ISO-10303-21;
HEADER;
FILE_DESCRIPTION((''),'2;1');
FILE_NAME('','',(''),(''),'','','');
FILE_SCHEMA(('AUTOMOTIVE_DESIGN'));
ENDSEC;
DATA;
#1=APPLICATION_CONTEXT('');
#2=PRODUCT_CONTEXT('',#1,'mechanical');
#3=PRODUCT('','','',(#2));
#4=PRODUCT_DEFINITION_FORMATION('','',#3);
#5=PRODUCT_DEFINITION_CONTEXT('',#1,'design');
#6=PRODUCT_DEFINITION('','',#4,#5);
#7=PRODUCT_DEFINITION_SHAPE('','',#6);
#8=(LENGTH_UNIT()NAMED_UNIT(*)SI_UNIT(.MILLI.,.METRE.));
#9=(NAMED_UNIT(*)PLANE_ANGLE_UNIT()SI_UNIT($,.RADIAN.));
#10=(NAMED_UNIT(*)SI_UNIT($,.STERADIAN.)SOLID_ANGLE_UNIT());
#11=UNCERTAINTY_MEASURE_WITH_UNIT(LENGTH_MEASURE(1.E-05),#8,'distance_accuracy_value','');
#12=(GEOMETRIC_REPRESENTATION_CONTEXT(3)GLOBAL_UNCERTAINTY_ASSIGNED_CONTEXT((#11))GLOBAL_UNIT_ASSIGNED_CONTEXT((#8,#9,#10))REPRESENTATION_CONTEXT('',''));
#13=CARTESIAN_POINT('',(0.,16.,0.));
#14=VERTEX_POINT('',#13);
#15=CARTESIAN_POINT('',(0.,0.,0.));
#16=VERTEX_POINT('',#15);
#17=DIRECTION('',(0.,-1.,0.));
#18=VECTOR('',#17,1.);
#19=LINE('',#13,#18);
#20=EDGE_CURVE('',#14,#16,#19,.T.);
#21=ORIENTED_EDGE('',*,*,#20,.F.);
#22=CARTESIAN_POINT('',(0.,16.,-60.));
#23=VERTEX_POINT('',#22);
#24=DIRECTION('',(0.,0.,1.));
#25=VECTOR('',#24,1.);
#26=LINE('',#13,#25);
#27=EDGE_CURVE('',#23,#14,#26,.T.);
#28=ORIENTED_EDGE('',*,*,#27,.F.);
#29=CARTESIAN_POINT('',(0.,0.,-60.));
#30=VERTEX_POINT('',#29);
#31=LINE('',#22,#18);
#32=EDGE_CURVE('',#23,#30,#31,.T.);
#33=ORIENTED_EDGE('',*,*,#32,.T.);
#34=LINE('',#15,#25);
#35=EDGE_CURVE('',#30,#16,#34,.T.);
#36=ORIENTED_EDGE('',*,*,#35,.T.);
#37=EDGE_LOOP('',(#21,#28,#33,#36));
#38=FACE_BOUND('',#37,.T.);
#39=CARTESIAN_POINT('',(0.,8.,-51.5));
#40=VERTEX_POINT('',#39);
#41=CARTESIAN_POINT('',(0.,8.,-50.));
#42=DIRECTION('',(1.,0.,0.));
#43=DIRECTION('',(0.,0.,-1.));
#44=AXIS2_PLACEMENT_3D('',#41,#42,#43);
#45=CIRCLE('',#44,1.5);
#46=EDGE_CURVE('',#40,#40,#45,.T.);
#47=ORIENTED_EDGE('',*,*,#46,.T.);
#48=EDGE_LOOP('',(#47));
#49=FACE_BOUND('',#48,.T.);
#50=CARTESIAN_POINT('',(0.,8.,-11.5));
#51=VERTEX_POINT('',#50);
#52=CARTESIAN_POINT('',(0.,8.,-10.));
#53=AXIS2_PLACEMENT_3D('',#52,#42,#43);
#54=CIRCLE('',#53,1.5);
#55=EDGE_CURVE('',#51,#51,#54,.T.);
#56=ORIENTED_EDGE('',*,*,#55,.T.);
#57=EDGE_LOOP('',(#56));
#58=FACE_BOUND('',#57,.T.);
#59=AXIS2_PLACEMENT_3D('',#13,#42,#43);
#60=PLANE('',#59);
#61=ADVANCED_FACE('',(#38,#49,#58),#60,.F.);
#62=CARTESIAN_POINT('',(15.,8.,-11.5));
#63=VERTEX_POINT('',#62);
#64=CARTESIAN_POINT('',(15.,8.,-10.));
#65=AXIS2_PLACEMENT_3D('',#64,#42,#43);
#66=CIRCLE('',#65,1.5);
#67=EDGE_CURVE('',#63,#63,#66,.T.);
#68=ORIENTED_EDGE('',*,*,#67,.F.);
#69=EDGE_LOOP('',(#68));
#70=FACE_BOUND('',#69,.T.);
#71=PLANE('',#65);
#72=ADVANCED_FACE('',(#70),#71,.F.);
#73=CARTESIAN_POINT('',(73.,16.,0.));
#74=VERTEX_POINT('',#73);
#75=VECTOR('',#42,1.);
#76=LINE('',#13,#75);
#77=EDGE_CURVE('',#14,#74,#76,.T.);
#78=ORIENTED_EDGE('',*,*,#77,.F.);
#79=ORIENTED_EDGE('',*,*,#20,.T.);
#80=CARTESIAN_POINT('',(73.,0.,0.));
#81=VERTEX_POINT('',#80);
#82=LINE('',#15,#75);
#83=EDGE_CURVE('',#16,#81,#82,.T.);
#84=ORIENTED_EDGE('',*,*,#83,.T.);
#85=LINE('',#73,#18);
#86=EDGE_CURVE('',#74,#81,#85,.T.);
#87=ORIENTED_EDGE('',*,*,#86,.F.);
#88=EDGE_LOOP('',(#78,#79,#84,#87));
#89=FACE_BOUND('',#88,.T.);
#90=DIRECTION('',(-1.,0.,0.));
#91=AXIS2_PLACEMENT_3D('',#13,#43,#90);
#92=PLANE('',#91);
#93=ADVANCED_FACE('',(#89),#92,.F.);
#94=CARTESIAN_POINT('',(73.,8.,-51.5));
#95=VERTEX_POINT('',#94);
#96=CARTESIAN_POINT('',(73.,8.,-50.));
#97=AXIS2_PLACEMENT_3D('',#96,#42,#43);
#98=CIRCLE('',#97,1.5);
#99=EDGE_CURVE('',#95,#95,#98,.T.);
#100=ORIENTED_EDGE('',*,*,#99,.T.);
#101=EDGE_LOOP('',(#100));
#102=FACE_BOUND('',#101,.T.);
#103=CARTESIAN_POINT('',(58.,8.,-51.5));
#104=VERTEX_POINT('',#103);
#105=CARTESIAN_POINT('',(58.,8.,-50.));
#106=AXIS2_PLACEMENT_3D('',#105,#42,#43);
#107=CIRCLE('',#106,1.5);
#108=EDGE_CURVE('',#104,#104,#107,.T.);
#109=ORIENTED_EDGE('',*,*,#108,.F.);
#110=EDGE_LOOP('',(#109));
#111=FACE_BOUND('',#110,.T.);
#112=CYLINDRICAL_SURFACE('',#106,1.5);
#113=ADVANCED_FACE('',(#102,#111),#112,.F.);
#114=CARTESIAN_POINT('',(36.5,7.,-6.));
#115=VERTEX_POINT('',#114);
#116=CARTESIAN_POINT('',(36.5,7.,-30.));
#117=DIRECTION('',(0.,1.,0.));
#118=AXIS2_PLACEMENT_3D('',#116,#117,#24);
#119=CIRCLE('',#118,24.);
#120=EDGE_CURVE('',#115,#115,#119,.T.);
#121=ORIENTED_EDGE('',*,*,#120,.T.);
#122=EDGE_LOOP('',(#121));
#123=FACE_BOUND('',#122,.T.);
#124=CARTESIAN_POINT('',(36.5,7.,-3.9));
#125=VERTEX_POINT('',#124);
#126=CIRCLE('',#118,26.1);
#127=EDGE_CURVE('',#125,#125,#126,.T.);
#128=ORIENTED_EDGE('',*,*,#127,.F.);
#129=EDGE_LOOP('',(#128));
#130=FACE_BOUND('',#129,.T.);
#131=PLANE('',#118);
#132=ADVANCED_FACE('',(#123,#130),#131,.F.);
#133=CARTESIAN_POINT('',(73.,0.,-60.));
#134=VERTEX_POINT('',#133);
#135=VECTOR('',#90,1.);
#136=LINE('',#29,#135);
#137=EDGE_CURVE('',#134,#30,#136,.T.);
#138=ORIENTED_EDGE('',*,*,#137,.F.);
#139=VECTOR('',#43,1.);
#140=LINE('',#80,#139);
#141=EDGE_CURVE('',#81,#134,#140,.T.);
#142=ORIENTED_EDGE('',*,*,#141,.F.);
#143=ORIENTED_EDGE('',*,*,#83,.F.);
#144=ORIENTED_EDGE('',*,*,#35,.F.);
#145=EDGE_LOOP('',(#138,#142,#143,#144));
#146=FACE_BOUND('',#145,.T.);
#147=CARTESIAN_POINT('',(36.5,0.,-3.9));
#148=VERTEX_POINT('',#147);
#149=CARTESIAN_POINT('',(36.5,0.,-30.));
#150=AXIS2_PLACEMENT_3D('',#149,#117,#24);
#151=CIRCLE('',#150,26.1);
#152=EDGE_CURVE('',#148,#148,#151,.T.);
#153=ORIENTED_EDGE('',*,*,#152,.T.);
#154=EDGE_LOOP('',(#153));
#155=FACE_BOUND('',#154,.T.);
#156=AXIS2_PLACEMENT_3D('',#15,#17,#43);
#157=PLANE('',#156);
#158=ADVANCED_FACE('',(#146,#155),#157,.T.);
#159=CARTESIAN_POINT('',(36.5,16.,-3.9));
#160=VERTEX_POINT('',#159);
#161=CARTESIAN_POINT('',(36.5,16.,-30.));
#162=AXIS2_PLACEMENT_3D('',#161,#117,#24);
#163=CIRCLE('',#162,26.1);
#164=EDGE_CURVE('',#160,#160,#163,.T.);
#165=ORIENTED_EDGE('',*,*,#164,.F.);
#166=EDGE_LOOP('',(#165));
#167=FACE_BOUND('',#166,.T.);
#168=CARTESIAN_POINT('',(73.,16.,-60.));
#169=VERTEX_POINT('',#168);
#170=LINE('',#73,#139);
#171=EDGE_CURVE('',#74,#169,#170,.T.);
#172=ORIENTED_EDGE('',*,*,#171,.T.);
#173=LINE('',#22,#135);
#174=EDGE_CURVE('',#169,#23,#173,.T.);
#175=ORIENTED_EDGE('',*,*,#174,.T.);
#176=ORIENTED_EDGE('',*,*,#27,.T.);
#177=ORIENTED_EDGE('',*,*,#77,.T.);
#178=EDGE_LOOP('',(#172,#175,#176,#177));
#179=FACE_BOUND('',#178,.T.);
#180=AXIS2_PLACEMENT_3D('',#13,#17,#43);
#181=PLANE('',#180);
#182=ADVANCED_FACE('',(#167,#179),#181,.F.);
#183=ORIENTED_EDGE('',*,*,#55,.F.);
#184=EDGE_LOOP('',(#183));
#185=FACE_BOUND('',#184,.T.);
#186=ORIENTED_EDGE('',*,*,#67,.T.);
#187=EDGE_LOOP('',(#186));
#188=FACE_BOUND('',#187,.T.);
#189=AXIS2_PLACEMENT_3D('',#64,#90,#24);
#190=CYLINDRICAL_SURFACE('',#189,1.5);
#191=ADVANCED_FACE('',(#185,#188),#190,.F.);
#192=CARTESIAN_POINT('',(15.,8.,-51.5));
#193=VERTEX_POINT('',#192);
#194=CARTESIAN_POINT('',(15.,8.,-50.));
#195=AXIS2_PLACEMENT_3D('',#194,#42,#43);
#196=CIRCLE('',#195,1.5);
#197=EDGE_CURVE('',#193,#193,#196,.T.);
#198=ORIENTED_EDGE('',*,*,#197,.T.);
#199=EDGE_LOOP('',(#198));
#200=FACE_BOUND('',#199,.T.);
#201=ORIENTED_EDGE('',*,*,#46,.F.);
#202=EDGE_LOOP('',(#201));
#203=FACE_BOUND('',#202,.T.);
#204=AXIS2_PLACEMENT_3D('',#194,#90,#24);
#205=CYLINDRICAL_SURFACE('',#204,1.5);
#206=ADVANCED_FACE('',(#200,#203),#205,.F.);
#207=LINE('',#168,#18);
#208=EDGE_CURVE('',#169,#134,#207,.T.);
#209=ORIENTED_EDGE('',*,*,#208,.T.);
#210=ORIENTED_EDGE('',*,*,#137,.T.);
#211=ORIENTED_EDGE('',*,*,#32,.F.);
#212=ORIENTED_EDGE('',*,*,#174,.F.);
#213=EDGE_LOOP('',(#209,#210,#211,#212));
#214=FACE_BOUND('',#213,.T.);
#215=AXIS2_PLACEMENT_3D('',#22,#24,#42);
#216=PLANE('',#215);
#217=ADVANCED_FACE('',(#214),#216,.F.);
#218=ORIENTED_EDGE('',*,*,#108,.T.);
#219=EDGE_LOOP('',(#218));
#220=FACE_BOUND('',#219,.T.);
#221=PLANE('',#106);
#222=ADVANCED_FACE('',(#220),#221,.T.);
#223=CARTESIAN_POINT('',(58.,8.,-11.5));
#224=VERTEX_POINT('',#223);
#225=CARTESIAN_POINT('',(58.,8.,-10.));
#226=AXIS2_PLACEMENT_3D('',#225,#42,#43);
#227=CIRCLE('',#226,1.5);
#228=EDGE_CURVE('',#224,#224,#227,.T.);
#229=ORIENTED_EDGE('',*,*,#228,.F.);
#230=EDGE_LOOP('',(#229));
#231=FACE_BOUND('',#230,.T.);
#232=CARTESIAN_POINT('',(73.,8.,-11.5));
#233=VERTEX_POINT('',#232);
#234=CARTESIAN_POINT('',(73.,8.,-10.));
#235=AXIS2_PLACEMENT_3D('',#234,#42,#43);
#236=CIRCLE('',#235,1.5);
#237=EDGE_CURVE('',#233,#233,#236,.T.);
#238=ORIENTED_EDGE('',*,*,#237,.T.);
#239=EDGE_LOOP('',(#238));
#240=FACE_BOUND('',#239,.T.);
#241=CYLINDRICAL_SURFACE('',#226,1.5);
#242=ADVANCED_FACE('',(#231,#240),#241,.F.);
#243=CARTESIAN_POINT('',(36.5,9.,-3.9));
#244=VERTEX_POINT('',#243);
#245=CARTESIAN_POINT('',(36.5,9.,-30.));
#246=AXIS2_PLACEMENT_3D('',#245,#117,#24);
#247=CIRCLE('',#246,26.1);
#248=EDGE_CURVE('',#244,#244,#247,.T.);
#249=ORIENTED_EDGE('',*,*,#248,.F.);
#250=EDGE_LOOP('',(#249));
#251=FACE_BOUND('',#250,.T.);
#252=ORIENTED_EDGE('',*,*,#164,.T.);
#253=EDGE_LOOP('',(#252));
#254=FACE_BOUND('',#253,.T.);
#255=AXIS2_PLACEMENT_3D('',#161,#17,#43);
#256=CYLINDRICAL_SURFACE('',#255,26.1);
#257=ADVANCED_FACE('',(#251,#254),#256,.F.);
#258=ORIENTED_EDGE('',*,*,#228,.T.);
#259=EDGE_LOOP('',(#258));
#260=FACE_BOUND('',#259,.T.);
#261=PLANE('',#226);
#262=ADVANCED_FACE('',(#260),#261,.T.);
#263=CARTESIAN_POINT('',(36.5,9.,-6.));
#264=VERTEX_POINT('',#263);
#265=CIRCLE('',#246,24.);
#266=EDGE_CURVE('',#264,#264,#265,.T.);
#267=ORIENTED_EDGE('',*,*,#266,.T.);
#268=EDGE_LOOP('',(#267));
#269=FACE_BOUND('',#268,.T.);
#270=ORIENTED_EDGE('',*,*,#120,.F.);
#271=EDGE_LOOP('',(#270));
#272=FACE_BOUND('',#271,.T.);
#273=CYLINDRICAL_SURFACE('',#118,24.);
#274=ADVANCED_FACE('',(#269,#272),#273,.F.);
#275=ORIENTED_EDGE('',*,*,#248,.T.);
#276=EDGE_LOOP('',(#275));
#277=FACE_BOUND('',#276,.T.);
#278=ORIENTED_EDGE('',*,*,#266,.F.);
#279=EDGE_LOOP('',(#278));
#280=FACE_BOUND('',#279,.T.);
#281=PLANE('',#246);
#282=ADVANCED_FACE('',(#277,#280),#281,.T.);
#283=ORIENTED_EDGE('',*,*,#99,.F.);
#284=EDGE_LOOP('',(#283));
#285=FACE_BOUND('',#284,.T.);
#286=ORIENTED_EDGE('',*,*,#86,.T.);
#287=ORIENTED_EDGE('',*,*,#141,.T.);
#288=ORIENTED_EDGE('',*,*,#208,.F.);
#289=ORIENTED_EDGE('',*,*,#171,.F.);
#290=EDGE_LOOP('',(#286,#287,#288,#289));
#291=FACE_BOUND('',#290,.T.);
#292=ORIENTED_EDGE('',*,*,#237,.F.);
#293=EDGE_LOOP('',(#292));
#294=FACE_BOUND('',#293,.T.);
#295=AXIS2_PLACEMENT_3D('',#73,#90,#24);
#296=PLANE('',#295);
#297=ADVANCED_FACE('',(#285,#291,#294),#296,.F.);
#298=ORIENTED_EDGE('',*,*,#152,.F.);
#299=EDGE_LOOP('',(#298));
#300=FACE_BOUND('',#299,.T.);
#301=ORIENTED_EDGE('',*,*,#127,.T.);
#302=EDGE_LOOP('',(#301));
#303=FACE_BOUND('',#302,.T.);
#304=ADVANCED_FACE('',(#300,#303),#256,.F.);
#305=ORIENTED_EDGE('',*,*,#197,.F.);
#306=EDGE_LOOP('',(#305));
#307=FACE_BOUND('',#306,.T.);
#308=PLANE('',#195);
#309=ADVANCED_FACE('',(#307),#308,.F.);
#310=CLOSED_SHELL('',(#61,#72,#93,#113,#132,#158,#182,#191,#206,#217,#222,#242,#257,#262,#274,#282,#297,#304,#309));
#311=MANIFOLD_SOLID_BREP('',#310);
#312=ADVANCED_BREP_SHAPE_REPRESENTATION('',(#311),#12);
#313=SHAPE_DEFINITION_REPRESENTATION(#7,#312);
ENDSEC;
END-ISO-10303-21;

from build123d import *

# Parameters (mm, degrees)
SKETCH1_W           = 73
SKETCH1_H           = 60
SKETCH1_R           = 26.1
BOSS_EXTRUDE1_DEPTH = 16
BOSS_EXTRUDE2_START = -7
SKETCH3_R           = 26.1
SKETCH3_R_2         = 24
BOSS_EXTRUDE2_DEPTH = 2
SKETCH2_R           = 1.5
CUT_EXTRUDE1_DEPTH  = 15
CUT_EXTRUDE2_START  = -73
SKETCH2_2_R         = 1.5
CUT_EXTRUDE2_DEPTH  = 15


with BuildPart() as part:
    # Sketch1 → Boss-Extrude1 (new body)
    with BuildSketch(Plane(origin=(0, 0, 0), x_dir=(1, 0, 0), z_dir=(0, 1, 0))):
        with Locations((36.5, 30)):
            Rectangle(SKETCH1_W, SKETCH1_H)
        with Locations((36.5, 30)):
            Circle(SKETCH1_R, mode=Mode.SUBTRACT)
    extrude(amount=BOSS_EXTRUDE1_DEPTH)

    # Sketch3 → Boss-Extrude2 (add)
    with BuildSketch(Plane(origin=(0, 16, 0), x_dir=(1, 0, 0), z_dir=(0, 1, 0)).offset(BOSS_EXTRUDE2_START)):
        with Locations((36.5, 30)):
            Circle(SKETCH3_R)
        with Locations((36.5, 30)):
            Circle(SKETCH3_R_2, mode=Mode.SUBTRACT)
    extrude(amount=-BOSS_EXTRUDE2_DEPTH)

    # Sketch2 → Cut-Extrude1 (cut)
    with BuildSketch(Plane(origin=(73, 0, 0), x_dir=(0, 0, -1), z_dir=(1, 0, 0))):
        with Locations((10, 8)):
            Circle(SKETCH2_R)
        with Locations((50, 8)):
            Circle(SKETCH2_R)
    extrude(amount=-CUT_EXTRUDE1_DEPTH, mode=Mode.SUBTRACT)

    # Sketch2<2> → Cut-Extrude2 (cut)
    with BuildSketch(Plane(origin=(73, 0, 0), x_dir=(0, 0, -1), z_dir=(1, 0, 0)).offset(CUT_EXTRUDE2_START)):
        with Locations((10, 8)):
            Circle(SKETCH2_2_R)
        with Locations((50, 8)):
            Circle(SKETCH2_2_R)
    extrude(amount=CUT_EXTRUDE2_DEPTH, mode=Mode.SUBTRACT)


solid = part.part
